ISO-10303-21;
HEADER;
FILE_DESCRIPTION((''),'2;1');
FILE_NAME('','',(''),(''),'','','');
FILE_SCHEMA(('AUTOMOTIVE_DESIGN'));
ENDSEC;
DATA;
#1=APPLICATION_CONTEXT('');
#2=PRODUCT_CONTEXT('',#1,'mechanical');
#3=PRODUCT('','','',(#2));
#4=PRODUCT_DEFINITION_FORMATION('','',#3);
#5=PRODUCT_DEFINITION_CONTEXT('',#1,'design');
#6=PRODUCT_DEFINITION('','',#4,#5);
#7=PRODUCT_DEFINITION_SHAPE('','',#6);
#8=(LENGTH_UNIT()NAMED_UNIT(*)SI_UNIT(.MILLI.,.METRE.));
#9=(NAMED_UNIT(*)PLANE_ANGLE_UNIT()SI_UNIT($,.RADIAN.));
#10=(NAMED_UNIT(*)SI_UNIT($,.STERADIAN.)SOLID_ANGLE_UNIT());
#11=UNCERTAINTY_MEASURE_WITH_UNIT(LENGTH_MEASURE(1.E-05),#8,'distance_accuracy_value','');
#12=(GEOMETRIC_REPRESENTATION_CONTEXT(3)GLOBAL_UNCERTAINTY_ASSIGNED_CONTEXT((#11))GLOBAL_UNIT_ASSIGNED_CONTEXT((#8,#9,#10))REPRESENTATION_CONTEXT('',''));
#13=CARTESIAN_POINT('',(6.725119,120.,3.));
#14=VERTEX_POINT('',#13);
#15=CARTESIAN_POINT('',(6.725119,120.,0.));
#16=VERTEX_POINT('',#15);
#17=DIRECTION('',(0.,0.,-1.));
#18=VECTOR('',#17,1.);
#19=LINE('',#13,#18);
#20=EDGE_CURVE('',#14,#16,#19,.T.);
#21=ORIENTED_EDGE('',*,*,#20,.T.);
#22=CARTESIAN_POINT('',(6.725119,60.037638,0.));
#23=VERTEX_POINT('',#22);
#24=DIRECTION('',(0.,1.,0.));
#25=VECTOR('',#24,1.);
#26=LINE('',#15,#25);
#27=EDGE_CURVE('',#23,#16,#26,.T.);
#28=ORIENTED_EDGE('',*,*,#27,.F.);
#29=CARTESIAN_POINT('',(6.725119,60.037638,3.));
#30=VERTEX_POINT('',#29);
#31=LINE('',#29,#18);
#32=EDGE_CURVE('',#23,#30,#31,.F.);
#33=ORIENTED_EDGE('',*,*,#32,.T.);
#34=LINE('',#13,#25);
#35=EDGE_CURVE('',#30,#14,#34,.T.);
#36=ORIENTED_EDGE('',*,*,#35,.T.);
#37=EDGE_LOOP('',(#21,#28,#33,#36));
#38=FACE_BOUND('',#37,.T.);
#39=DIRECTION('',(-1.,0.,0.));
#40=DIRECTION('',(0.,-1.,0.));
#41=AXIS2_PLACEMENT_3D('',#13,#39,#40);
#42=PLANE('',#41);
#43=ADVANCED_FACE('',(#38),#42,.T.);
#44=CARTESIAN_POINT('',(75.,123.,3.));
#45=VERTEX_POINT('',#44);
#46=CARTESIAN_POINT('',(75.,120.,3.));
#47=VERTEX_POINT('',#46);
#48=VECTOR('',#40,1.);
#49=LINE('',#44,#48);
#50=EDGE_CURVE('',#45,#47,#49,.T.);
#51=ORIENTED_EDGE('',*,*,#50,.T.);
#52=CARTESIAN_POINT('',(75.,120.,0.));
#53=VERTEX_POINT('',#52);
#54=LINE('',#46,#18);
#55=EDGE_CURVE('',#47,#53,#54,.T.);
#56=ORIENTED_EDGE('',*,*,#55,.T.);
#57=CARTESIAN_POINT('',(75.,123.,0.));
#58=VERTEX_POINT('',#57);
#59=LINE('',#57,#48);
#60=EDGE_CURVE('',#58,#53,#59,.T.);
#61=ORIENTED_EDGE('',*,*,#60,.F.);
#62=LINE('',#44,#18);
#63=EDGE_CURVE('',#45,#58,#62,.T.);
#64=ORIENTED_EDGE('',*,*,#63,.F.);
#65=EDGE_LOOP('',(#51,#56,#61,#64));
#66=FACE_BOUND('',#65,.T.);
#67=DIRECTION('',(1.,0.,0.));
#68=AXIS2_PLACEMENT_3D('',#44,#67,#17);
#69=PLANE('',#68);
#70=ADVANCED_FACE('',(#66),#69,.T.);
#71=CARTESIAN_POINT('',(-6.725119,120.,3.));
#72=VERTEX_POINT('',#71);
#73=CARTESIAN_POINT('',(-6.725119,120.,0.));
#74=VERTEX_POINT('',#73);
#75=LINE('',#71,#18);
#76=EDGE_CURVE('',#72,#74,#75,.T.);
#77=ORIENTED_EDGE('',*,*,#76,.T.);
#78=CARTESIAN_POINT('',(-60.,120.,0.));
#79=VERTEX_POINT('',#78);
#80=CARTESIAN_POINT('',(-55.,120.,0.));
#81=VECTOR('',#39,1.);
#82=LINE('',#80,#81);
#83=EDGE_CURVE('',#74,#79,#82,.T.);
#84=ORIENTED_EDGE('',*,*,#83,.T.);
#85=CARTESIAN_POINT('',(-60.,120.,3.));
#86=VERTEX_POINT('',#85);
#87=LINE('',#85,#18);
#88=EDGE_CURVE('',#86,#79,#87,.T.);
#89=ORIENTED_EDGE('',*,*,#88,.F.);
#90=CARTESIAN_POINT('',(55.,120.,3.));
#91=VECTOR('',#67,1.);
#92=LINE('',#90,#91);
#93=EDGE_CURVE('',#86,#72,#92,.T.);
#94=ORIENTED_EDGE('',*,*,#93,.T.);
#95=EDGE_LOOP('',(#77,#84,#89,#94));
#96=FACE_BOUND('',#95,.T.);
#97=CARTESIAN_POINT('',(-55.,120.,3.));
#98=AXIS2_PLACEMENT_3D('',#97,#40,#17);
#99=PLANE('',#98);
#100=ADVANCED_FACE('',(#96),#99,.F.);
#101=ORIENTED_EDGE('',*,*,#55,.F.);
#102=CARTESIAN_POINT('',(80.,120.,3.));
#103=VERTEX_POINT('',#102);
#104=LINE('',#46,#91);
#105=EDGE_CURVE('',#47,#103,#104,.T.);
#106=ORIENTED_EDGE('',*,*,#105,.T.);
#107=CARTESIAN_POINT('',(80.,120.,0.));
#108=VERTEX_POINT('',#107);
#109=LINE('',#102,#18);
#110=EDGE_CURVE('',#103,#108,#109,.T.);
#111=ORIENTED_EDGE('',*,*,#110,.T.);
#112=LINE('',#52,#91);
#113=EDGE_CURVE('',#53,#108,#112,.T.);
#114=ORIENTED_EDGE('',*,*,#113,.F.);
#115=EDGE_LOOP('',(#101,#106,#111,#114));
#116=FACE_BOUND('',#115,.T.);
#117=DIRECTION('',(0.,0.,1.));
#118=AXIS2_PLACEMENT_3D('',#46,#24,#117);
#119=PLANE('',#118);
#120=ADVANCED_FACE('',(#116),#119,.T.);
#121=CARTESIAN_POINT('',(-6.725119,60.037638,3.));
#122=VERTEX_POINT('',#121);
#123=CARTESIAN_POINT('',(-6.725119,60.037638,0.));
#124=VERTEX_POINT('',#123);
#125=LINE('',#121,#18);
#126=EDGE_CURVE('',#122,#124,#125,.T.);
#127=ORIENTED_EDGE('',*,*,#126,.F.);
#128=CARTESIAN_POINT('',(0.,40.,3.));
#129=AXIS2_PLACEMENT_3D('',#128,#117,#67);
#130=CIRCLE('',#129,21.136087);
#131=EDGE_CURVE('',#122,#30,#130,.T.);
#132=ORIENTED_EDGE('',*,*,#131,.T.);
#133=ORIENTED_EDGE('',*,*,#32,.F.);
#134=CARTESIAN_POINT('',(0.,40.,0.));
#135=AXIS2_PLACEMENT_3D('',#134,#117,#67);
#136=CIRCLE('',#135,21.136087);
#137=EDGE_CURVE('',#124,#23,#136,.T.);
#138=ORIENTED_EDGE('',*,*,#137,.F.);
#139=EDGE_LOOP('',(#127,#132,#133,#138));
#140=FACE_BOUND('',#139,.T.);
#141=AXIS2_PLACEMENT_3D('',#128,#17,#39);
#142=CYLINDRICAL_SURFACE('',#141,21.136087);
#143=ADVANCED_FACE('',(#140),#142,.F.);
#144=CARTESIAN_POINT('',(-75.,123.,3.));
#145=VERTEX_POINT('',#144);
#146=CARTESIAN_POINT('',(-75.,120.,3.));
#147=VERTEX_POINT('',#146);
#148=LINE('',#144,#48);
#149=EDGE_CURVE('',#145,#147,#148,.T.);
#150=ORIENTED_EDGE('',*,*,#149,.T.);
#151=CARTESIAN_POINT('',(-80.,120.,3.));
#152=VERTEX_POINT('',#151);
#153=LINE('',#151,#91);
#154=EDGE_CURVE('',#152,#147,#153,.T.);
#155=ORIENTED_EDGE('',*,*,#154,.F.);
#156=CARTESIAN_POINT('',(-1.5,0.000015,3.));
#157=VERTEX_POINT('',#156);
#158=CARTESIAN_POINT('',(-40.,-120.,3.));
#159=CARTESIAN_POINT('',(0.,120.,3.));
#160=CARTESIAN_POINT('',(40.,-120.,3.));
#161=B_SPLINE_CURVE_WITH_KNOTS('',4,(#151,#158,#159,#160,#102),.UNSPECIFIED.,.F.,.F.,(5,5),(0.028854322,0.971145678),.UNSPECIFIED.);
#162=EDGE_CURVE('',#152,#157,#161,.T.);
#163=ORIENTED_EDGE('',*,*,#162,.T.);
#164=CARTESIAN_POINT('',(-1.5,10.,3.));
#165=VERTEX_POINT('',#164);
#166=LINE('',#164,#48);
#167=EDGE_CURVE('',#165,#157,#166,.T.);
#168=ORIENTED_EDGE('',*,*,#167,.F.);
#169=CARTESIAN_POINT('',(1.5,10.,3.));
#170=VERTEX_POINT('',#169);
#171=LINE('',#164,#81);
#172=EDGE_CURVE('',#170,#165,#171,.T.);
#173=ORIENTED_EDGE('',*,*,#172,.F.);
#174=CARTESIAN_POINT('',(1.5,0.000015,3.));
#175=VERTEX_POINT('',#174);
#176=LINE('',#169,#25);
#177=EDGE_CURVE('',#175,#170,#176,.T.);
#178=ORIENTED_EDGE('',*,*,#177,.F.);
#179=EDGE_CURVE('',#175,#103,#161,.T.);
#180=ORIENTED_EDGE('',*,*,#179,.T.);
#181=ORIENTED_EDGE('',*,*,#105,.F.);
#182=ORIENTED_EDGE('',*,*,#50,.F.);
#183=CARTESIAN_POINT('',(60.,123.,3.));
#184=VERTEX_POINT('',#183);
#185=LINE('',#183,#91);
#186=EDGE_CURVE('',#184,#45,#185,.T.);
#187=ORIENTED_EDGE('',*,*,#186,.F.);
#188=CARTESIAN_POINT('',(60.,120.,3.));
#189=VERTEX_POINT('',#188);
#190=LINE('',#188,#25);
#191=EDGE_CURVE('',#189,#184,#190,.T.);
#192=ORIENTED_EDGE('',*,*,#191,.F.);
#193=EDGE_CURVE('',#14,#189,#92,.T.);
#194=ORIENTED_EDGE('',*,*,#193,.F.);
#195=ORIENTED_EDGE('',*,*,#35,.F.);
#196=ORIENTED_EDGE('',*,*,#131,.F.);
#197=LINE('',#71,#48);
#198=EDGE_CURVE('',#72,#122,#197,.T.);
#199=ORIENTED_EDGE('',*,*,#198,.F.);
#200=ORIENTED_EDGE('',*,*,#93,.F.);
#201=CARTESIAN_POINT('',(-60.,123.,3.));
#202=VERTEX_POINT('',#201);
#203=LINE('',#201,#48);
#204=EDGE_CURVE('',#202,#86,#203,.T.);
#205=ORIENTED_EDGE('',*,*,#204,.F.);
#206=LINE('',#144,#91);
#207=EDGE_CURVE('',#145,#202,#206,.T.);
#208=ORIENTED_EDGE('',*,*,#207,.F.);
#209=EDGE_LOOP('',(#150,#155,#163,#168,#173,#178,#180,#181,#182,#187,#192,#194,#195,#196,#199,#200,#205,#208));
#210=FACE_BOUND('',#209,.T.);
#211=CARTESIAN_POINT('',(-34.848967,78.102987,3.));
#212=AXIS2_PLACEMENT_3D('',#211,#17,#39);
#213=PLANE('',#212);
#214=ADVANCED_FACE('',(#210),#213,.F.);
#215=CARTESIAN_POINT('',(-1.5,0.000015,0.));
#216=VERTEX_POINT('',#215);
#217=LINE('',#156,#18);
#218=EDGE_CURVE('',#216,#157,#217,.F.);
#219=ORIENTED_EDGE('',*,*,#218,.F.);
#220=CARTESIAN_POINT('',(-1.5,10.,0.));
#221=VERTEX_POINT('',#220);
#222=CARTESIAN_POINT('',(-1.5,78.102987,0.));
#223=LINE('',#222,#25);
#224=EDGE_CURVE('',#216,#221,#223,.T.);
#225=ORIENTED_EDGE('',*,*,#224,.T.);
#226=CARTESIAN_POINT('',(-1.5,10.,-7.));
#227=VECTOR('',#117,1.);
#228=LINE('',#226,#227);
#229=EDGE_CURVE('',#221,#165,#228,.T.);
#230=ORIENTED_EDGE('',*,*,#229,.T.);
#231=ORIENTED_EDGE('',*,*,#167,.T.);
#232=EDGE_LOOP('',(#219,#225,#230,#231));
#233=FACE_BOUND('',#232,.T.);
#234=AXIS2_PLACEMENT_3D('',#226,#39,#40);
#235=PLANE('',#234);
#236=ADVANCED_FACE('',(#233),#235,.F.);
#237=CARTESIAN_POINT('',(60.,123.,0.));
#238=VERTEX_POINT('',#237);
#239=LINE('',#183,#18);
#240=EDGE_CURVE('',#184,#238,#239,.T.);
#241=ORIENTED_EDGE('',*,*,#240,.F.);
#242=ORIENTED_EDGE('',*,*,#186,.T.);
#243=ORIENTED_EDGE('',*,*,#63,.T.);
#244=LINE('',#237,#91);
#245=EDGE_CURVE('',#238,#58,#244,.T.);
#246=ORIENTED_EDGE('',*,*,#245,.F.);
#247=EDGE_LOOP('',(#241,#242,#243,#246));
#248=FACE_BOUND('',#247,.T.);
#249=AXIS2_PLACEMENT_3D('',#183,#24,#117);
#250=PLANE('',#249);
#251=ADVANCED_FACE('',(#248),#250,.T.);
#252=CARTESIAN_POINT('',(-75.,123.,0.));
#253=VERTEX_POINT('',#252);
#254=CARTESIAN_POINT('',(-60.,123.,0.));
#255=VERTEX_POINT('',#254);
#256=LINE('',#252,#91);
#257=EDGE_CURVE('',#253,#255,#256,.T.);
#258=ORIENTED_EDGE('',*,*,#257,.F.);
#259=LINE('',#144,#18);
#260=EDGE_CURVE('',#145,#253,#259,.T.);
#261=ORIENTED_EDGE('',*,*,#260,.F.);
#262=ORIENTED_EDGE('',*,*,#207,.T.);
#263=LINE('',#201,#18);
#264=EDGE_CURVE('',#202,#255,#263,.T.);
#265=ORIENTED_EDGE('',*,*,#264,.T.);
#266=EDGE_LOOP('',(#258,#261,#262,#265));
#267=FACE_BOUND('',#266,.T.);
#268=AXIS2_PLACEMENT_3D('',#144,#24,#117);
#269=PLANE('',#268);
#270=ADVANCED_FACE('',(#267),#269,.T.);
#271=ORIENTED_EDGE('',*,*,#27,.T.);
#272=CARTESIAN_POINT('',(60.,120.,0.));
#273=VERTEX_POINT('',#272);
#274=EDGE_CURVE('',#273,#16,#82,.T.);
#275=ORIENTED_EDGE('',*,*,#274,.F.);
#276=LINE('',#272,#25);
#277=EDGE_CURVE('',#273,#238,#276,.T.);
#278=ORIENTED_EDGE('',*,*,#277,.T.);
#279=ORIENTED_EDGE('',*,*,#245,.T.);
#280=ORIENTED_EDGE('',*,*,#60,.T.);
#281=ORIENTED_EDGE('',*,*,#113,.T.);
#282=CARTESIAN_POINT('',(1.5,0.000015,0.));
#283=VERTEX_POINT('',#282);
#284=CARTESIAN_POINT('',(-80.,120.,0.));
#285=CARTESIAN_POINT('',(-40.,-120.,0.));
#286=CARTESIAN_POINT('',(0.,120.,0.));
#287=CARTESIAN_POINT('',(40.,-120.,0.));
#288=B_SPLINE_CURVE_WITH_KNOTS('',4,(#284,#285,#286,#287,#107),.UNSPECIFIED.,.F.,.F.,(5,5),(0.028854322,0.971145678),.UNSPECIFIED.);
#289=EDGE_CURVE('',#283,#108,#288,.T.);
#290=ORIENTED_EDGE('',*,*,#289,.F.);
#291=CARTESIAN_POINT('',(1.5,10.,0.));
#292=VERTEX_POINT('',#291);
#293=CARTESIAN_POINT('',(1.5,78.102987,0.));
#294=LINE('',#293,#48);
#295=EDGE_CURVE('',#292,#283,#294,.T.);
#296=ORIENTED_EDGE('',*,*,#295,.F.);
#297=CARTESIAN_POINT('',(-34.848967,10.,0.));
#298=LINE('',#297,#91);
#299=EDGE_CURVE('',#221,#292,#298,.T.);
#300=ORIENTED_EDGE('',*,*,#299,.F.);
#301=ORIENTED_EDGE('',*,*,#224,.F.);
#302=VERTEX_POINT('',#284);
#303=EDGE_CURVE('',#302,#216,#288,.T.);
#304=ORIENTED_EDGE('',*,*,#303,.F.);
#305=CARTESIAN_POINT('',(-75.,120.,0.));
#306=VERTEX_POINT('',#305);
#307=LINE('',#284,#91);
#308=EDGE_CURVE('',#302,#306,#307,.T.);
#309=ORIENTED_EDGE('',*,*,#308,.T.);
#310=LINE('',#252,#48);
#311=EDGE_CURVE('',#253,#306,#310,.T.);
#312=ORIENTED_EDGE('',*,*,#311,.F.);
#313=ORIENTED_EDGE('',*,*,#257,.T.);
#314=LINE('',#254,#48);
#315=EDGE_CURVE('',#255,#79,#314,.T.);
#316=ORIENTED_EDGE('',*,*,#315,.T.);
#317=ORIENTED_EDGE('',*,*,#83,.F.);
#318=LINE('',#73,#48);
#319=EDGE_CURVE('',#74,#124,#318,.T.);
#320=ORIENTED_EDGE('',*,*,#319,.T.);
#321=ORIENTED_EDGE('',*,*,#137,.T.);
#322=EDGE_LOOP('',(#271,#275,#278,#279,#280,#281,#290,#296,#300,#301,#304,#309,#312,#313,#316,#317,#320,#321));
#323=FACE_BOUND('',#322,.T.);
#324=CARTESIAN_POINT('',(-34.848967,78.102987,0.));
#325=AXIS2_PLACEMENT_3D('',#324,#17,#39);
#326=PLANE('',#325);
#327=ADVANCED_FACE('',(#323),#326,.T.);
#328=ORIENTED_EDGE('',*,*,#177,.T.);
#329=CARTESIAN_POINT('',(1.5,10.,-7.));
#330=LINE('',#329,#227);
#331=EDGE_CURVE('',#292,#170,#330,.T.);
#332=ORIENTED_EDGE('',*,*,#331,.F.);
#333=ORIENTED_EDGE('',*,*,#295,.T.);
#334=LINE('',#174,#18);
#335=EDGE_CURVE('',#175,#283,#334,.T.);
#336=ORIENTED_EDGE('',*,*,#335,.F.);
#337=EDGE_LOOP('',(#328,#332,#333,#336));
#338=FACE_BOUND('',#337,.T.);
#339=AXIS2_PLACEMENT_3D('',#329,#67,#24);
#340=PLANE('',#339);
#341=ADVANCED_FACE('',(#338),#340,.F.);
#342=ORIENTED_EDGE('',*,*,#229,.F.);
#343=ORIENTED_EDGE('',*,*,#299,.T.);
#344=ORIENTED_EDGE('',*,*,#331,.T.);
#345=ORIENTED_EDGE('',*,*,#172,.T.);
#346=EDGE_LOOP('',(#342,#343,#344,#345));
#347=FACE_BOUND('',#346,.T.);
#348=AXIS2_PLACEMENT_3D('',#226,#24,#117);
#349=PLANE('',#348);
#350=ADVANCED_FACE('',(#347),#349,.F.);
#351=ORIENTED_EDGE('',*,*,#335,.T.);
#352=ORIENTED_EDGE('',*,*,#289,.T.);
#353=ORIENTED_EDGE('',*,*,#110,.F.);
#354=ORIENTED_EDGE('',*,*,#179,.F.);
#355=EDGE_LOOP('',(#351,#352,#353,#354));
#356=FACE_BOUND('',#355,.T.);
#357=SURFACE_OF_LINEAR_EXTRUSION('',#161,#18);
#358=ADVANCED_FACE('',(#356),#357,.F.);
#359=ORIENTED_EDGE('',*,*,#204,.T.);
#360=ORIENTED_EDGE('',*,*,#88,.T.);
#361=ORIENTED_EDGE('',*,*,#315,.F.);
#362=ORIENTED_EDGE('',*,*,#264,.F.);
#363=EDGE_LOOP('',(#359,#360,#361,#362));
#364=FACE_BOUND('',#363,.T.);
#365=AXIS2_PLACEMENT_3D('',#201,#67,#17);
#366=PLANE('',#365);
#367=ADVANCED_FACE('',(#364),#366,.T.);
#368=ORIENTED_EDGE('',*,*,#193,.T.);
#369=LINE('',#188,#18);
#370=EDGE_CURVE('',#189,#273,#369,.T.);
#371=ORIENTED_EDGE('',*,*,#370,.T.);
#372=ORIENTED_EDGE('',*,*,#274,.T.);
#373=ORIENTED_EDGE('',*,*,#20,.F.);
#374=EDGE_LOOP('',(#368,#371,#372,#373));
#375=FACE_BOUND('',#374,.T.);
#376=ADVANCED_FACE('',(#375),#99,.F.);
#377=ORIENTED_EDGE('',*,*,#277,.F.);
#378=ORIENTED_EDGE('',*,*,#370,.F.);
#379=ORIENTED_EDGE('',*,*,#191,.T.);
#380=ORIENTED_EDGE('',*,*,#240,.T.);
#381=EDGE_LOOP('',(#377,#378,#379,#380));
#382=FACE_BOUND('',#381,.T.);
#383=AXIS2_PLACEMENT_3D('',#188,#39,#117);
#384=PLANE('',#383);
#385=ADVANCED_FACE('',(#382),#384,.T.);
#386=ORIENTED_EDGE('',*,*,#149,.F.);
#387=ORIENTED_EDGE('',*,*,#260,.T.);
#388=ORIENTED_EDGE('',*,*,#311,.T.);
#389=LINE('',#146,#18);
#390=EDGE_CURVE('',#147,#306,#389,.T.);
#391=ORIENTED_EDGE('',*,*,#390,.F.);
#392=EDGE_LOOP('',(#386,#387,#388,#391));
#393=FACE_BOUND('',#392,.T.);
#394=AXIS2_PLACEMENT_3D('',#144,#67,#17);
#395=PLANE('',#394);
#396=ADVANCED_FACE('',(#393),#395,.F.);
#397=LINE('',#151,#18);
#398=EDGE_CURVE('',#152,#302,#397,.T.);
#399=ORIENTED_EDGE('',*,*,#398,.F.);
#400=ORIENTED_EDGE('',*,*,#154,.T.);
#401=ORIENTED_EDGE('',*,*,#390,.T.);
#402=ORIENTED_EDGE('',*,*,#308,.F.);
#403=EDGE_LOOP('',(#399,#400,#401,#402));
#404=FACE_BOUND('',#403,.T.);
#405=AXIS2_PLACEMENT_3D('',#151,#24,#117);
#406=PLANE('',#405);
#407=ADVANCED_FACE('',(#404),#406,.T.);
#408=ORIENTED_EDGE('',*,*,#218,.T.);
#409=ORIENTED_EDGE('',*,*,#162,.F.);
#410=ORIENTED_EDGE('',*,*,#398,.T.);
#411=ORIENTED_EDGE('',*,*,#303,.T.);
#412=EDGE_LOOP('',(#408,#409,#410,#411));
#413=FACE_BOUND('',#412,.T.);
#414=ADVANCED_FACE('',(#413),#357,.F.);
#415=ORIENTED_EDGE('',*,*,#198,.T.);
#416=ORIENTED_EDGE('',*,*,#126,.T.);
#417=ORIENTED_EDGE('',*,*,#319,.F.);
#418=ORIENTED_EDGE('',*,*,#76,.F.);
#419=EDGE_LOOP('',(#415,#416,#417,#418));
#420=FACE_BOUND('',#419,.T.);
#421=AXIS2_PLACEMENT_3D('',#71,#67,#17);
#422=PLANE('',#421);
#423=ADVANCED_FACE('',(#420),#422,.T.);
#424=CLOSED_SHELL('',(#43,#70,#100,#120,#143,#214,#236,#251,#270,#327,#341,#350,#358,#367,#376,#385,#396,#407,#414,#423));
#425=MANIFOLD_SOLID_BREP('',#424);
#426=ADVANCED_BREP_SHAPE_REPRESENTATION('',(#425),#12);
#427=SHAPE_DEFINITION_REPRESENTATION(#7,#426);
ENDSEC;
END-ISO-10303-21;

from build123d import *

# Parameters (mm, degrees)
EXTRUDE_1_DEPTH     = 3
EXTRUDE_2_DEPTH     = 3
SKETCH_3_W          = 13.450237246
SKETCH_3_H          = 65.000975664
CUT_EXTRUDE_1_DEPTH = 3
SKETCH_4_R          = 21.136087039
CUT_EXTRUDE_2_DEPTH = 3
SKETCH_5_W          = 3
SKETCH_5_H          = 15.975910133
CUT_EXTRUDE_4_DEPTH = 10


with BuildPart() as part:
    # 草图1 → 凸台-拉伸1 (new body)
    with BuildSketch(Plane.XY):
        with BuildLine():
            Line((-80.000000005, 119.999999901), (-75.000000001, 119.999999901))
            Line((-75.000000001, 119.999999901), (-75.000000001, 123.000000024))
            Line((-75.000000001, 123.000000024), (-60, 123.000000024))
            Line((-60, 123.000000024), (-60, 120.000000041))
            Line((-60, 120.000000041), (-55, 120.000000041))
            add(Edge.make_bspline(
                [(-55, 120.000000041), (-34.848967069, 68.706461628), (-14.697934131, 54.999024377)],
                knots=[0, 0, 0, 0.366382417, 0.366382417, 0.366382417], degree=2))
            ThreePointArc((-14.697934131, 54.999024377), (1e-09, 19), (14.69793413, 54.999024379))
            add(Edge.make_bspline(
                [(14.69793413, 54.999024379), (34.848967062, 68.706461624), (55, 119.999999995)],
                knots=[0.633617583, 0.633617583, 0.633617583, 1, 1, 1], degree=2))
            Line((55, 119.999999995), (60, 119.999999995))
            Line((60, 119.999999995), (60, 123.000000213))
            Line((60, 123.000000213), (75.00000006, 123.000000213))
            Line((75.00000006, 123.000000213), (75.00000006, 120.000000262))
            Line((75.00000006, 120.000000262), (80.000000064, 120.000000262))
            add(Edge.make_bspline(
                [(-80.000000005, 119.999999901), (-39.999999975, -120.000000248), (2.9e-08, 120.000000083), (40.000000059, -120.000000419), (80.000000064, 120.000000262)],
                knots=[0.028854322, 0.028854322, 0.028854322, 0.028854322, 0.028854322, 0.971145678, 0.971145678, 0.971145678, 0.971145678, 0.971145678], degree=4))
        make_face()
    extrude(amount=EXTRUDE_1_DEPTH)

    # 草图2 → 凸台-拉伸2 (add)
    with BuildSketch(Plane.XY):
        with BuildLine():
            Line((-55, 120.000000041), (55, 119.999999995))
            add(Edge.make_bspline(
                [(14.69793413, 54.999024379), (34.848967062, 68.706461624), (55, 119.999999995)],
                knots=[0, 0, 0, 1, 1, 1], degree=2))
            Line((14.69793413, 54.999024379), (-14.697934131, 54.999024377))
            add(Edge.make_bspline(
                [(-55, 120.000000041), (-34.848967069, 68.706461628), (-14.697934131, 54.999024377)],
                knots=[0, 0, 0, 1, 1, 1], degree=2))
        make_face()
    extrude(amount=EXTRUDE_2_DEPTH)

    # 草图3 → 切除-拉伸1 (cut)
    with BuildSketch(Plane.XY):
        with Locations((0, 87.499512209)):
            Rectangle(SKETCH_3_W, SKETCH_3_H)
    extrude(amount=CUT_EXTRUDE_1_DEPTH, mode=Mode.SUBTRACT)

    # 草图4 → 切除-拉伸2 (cut)
    with BuildSketch(Plane.XY):
        with Locations((0, 40)):
            Circle(SKETCH_4_R)
    extrude(amount=CUT_EXTRUDE_2_DEPTH, mode=Mode.SUBTRACT)

    # 草图5 → 切除-拉伸4 (cut)
    with BuildSketch(Plane.XY.offset(3)):
        with Locations((0, 2.012044933)):
            Rectangle(SKETCH_5_W, SKETCH_5_H)
    extrude(amount=-CUT_EXTRUDE_4_DEPTH, mode=Mode.SUBTRACT)


solid = part.part
